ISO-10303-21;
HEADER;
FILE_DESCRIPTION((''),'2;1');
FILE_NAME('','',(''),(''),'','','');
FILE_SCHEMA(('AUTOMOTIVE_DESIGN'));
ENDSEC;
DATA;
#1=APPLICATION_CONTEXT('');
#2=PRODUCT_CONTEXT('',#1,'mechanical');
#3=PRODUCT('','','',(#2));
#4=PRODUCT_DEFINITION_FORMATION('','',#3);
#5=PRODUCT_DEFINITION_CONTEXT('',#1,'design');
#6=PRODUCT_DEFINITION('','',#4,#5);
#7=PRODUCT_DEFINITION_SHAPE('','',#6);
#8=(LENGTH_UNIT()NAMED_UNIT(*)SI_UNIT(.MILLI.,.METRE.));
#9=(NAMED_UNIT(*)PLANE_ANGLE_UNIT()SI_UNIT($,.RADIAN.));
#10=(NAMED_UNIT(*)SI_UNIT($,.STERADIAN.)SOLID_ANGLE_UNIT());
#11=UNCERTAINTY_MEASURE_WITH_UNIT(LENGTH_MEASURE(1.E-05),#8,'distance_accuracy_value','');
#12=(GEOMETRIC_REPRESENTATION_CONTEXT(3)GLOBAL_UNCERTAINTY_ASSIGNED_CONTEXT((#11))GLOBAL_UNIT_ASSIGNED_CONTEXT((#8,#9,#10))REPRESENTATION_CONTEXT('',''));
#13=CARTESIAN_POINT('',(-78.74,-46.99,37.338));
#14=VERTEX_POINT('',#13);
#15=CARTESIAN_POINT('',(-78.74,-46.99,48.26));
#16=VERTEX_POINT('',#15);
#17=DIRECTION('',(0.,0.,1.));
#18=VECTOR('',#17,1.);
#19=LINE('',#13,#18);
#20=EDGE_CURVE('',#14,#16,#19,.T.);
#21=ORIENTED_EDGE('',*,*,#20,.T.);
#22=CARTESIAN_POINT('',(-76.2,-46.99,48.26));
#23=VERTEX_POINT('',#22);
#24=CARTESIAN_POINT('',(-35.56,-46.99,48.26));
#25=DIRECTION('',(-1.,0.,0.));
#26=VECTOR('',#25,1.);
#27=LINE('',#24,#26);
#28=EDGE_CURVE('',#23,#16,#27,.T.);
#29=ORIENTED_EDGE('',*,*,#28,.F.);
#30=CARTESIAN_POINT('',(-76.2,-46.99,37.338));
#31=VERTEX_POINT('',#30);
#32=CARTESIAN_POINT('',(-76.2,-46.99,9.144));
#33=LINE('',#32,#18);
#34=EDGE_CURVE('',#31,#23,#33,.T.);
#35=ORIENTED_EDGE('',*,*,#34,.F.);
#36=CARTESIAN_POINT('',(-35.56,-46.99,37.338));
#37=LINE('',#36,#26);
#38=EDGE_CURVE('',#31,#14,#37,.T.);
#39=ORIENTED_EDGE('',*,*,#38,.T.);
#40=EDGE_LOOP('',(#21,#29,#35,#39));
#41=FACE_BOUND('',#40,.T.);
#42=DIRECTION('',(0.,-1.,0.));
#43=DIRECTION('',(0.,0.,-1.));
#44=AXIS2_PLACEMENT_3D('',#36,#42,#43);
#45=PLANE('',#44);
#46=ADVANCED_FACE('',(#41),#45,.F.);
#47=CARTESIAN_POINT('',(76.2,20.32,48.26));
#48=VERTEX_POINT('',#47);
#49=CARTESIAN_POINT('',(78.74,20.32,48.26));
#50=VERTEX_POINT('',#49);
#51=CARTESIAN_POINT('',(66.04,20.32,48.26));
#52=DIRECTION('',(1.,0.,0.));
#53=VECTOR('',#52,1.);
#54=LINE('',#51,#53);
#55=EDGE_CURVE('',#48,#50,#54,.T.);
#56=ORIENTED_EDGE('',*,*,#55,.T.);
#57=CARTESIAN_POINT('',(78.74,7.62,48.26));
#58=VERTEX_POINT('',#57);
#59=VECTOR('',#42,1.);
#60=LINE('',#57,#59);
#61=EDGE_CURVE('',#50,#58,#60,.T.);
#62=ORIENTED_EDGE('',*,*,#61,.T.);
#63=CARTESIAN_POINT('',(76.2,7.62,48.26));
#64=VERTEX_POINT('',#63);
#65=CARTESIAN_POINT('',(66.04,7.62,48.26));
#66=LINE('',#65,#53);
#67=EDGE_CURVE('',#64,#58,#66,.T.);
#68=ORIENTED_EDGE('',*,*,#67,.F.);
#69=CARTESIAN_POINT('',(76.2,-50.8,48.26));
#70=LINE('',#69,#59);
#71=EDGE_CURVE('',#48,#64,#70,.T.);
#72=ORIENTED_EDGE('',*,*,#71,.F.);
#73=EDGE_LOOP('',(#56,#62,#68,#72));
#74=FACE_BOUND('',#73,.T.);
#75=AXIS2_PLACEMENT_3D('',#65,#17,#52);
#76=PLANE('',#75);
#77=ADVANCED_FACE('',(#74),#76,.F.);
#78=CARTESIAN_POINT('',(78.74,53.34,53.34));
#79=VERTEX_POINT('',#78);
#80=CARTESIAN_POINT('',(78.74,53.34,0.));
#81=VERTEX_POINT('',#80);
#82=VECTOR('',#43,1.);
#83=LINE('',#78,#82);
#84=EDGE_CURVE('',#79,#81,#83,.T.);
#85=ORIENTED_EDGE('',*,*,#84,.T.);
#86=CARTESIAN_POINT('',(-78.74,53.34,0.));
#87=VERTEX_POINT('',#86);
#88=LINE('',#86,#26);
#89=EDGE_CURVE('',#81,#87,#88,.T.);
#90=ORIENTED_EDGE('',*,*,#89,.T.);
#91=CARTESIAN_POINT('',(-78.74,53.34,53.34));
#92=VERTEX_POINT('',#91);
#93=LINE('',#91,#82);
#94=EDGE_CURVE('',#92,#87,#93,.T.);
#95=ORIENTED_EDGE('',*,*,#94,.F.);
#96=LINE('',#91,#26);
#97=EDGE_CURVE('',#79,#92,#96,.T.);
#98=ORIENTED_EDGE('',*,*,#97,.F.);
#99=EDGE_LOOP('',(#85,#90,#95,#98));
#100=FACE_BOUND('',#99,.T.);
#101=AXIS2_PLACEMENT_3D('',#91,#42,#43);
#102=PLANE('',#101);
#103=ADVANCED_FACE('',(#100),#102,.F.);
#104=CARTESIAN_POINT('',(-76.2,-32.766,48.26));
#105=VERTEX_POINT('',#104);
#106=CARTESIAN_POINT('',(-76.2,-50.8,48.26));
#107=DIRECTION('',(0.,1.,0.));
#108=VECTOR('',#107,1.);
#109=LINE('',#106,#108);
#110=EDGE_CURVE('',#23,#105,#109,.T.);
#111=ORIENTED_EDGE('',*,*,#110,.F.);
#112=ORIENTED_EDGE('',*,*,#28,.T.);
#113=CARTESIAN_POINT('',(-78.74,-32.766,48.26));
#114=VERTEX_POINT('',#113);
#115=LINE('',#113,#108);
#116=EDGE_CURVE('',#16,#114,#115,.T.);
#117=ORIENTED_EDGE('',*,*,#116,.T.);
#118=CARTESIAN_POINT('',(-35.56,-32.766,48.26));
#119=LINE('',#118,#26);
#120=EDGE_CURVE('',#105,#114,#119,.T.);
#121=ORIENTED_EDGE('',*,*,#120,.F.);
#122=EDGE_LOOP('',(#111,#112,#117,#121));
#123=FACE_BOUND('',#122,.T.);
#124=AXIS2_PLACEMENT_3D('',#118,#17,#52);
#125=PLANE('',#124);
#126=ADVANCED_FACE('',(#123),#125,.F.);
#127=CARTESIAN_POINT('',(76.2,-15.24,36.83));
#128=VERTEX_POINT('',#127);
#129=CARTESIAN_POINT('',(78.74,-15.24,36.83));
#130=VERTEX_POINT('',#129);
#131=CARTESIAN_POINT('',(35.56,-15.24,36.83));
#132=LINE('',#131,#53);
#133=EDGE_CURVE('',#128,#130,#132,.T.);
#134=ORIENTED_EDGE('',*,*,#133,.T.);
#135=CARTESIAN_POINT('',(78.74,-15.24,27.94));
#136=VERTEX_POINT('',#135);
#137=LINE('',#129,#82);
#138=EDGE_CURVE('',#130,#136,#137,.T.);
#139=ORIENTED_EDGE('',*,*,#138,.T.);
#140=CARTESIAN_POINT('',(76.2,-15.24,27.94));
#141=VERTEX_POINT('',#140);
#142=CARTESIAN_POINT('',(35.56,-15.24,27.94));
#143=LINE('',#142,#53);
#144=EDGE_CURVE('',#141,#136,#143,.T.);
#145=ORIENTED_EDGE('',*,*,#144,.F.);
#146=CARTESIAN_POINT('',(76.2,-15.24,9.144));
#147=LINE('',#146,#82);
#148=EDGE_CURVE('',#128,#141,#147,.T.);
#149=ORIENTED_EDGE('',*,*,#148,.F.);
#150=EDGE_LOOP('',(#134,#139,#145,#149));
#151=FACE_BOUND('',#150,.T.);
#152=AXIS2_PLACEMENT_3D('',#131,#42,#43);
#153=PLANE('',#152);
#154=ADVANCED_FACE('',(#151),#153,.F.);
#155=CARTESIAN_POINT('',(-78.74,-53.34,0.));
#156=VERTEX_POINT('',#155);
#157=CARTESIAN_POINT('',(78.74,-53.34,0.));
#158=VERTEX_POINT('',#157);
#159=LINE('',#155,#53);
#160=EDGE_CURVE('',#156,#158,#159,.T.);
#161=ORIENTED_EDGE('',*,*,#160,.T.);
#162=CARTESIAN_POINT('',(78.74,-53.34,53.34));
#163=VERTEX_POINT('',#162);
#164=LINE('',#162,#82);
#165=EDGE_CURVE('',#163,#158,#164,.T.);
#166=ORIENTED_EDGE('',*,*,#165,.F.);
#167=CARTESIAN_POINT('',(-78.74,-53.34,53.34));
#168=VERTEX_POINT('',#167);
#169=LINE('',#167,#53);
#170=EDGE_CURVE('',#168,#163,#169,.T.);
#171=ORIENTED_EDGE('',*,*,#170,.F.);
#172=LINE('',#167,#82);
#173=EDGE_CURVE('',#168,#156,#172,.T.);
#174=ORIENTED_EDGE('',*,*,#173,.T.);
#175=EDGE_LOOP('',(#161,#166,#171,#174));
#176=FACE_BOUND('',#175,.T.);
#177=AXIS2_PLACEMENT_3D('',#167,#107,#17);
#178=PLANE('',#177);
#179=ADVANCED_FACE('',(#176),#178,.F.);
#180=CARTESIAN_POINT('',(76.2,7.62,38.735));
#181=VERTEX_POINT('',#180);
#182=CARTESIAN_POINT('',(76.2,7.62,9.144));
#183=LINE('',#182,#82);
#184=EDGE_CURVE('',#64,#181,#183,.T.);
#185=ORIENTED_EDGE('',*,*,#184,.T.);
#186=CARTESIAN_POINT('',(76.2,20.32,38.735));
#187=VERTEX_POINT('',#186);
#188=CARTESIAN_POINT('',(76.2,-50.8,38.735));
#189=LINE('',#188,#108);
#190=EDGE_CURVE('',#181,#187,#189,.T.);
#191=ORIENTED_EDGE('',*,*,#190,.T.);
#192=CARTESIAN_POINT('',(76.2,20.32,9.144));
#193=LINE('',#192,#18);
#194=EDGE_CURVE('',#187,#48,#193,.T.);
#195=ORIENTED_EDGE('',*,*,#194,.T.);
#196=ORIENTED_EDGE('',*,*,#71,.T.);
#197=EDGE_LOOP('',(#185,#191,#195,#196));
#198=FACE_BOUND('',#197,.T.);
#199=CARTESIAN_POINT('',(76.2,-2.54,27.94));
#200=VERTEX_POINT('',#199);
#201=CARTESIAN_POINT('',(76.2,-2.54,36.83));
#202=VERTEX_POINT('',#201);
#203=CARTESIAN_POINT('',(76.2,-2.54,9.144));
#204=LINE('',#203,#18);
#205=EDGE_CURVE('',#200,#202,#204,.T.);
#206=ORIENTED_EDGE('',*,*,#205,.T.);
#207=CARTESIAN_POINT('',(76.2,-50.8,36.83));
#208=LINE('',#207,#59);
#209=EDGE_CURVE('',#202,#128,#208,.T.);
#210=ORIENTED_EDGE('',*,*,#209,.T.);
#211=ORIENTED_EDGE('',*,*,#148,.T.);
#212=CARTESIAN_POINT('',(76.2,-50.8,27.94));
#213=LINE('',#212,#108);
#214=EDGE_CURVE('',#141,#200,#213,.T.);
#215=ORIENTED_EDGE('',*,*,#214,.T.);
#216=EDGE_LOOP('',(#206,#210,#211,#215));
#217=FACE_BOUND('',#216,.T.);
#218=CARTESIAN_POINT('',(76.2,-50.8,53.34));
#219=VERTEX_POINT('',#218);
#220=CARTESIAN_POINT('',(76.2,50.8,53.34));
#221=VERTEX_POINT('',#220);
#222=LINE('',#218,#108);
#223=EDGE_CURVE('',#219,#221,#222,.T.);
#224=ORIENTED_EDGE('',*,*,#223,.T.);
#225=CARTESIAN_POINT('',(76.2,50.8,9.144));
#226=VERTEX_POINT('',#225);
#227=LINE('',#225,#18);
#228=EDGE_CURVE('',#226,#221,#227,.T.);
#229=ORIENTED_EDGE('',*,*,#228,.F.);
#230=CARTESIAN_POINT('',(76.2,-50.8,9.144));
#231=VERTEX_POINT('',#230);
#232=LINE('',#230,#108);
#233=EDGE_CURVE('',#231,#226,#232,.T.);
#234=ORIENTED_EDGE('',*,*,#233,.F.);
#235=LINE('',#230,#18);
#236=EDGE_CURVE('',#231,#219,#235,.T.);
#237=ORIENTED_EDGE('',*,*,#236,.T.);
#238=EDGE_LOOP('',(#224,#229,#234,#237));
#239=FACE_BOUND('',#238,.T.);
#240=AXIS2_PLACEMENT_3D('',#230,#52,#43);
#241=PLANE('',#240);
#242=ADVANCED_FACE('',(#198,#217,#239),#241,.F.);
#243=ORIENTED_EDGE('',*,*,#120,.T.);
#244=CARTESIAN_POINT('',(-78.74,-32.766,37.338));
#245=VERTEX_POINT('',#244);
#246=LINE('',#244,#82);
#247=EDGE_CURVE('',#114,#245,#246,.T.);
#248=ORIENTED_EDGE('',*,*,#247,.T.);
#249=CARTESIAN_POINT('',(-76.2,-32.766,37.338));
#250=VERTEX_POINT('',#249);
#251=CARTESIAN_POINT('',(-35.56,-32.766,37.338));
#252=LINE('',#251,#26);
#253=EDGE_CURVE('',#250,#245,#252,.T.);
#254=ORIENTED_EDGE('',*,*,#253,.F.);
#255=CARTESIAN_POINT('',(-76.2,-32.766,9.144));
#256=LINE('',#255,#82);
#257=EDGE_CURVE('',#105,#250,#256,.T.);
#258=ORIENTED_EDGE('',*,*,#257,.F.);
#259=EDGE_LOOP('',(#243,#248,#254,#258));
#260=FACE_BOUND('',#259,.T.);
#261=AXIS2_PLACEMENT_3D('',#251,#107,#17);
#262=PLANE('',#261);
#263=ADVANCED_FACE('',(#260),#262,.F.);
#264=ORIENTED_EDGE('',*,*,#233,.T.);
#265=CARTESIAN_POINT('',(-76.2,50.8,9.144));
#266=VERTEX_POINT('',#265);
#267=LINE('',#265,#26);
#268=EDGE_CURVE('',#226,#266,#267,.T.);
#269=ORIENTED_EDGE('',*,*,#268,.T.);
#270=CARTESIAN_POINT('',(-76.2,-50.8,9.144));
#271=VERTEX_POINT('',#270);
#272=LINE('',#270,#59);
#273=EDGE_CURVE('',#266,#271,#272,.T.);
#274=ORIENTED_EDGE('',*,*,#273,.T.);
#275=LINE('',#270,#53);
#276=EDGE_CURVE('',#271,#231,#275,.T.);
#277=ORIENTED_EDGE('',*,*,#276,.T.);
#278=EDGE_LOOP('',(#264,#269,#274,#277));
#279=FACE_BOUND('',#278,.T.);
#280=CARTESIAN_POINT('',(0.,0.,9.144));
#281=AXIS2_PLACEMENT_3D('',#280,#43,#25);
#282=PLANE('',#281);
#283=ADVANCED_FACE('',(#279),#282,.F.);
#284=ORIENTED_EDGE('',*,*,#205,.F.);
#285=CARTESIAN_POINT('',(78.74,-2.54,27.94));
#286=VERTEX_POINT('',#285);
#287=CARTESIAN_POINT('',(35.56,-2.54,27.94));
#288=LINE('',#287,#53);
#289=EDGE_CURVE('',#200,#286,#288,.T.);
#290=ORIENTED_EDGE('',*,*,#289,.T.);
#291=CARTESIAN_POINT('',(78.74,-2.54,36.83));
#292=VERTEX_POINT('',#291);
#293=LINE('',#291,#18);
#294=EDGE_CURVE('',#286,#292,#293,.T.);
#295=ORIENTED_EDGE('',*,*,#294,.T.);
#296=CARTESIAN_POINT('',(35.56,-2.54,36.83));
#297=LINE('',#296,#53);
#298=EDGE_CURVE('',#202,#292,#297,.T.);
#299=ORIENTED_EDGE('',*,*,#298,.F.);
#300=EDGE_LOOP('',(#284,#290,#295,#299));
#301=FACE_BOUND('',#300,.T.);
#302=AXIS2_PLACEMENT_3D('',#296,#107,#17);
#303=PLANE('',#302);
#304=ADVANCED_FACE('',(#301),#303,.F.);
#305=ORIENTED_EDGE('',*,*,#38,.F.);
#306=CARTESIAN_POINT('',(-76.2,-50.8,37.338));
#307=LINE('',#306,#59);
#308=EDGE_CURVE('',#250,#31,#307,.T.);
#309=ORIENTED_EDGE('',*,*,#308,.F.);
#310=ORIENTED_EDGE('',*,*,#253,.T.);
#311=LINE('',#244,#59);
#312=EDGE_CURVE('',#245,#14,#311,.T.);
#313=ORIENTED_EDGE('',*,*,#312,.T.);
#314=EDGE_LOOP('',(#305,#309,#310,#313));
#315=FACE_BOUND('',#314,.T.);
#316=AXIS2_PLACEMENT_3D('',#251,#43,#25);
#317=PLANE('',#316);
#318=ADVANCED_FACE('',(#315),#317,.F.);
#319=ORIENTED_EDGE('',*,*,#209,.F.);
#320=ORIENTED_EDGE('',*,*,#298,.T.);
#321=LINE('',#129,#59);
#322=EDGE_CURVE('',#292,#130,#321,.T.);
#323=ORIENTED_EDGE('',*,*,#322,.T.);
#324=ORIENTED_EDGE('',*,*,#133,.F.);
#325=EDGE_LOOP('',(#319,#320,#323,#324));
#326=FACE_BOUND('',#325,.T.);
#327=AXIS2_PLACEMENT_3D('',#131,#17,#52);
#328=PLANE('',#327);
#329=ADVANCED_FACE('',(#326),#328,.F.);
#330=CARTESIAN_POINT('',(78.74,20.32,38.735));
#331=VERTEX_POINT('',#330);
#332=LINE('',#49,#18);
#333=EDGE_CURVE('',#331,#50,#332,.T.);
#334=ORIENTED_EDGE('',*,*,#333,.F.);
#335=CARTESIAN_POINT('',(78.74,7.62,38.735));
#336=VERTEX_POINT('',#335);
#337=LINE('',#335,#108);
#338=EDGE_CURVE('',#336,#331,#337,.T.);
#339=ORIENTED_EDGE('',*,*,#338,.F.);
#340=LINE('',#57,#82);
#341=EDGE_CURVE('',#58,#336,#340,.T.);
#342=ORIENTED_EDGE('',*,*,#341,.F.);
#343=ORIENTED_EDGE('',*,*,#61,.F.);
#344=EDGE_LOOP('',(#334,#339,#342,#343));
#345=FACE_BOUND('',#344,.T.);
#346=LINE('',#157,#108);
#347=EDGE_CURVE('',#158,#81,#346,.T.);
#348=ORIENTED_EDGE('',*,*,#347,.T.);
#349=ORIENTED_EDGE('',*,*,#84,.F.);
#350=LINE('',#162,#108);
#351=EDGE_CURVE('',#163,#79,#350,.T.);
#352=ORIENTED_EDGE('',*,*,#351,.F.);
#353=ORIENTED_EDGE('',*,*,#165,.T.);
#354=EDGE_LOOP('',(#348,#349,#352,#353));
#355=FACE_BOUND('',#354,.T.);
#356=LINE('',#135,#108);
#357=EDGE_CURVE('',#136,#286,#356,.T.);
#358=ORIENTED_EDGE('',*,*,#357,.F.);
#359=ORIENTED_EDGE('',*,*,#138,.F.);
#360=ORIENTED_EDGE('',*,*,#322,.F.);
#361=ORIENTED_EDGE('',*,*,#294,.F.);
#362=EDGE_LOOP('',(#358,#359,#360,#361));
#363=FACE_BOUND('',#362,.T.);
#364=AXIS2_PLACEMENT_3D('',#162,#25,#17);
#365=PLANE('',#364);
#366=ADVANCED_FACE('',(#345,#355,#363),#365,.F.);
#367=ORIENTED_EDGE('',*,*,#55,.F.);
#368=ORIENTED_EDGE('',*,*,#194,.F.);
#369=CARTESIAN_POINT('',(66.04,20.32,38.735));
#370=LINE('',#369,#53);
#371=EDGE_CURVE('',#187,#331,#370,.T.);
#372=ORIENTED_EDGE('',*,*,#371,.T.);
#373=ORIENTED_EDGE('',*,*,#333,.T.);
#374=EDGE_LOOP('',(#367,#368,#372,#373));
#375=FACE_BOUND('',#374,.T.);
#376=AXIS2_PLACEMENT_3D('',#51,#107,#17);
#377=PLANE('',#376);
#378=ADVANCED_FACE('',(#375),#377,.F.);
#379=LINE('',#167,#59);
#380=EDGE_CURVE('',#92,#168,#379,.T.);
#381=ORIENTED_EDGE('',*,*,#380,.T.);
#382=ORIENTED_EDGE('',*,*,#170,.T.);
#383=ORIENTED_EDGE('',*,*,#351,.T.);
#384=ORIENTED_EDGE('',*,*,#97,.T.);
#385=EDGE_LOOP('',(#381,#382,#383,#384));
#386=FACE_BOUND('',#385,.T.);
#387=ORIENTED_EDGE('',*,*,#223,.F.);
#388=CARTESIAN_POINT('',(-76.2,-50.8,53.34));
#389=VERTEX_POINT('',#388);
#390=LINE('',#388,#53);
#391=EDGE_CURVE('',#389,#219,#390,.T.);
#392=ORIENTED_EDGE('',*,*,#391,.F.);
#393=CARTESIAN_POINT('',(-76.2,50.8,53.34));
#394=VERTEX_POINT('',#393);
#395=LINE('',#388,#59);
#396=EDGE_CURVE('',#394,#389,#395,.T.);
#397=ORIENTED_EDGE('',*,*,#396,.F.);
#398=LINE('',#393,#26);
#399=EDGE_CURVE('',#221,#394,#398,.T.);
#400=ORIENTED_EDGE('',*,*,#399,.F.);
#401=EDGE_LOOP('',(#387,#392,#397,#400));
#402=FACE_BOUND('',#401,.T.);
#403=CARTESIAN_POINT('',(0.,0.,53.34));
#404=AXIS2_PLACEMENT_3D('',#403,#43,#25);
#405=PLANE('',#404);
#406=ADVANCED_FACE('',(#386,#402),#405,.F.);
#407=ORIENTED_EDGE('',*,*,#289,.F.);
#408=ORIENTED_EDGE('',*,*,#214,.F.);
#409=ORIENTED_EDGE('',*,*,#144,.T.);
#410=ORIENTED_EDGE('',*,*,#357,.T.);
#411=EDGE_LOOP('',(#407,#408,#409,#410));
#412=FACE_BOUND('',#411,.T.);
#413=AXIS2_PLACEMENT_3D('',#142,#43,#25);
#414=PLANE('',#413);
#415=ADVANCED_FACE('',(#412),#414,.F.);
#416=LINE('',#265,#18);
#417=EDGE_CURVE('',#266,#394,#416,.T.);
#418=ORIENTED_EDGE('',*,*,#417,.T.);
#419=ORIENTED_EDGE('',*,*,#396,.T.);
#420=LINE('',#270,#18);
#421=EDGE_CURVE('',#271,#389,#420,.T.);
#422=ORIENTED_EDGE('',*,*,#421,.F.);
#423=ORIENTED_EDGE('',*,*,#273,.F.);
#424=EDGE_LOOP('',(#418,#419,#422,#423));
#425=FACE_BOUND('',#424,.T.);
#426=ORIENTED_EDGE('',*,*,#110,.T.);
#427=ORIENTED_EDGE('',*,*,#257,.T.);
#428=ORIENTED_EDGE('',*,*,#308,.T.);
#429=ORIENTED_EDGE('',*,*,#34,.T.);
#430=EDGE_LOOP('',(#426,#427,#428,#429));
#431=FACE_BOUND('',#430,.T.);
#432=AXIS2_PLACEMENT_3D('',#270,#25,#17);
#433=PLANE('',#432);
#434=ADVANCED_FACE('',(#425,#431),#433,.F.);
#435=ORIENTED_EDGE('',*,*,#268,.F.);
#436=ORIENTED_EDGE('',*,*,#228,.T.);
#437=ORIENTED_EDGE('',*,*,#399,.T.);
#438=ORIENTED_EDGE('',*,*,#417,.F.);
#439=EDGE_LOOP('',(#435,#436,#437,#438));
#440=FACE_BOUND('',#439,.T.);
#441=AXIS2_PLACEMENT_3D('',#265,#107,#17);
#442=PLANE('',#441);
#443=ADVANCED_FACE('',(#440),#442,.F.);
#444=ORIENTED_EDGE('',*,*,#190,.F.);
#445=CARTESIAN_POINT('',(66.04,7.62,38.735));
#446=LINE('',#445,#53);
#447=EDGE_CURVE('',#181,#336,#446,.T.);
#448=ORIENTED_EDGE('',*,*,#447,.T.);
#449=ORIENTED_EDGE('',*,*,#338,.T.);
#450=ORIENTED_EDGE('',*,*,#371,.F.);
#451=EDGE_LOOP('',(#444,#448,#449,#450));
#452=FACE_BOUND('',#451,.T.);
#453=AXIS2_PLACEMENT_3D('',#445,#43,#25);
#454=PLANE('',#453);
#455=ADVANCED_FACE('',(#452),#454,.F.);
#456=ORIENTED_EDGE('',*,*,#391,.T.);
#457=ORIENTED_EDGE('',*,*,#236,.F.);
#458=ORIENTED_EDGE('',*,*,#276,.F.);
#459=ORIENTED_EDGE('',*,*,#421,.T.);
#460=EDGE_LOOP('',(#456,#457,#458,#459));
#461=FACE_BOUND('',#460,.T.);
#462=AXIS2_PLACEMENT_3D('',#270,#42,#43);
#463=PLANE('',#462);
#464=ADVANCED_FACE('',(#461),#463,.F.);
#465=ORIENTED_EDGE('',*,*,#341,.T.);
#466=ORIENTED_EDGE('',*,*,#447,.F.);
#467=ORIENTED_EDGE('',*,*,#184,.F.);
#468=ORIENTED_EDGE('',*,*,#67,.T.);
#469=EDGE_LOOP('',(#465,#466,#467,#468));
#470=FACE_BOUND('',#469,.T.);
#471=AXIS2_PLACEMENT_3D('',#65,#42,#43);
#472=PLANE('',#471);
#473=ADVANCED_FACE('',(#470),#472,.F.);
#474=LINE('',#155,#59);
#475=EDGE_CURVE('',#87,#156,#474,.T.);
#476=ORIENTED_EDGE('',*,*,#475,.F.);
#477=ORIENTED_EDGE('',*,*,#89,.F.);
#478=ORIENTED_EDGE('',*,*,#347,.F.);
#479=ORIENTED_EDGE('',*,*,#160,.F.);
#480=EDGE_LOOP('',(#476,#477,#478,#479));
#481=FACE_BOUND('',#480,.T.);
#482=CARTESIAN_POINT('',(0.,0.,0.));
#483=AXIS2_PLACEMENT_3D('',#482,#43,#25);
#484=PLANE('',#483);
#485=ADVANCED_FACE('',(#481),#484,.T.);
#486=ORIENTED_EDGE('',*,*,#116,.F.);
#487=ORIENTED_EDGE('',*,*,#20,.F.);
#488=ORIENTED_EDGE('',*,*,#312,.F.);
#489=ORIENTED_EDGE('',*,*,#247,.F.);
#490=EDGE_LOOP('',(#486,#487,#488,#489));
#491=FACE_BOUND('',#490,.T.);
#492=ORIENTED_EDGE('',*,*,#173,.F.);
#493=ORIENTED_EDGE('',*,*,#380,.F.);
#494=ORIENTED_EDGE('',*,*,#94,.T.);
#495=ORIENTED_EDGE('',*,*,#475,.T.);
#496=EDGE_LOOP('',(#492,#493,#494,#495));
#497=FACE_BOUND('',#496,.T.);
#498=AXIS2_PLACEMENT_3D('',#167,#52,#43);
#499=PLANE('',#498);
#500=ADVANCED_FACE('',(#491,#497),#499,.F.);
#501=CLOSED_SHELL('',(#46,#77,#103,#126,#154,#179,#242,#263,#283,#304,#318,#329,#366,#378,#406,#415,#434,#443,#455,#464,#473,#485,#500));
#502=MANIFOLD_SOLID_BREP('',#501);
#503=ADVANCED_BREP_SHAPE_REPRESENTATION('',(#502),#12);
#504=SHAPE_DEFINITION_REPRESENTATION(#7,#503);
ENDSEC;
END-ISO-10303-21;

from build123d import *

# Parameters (mm, degrees)
SKETCH1_W           = 157.48
SKETCH1_H           = 106.68
BOSS_EXTRUDE1_DEPTH = 53.34
SKETCH3_W           = 152.4
SKETCH3_H           = 101.6
CUT_EXTRUDE1_DEPTH  = 44.196
SKETCH4_W           = 8.89
SKETCH4_H           = 12.7
CUT_EXTRUDE2_DEPTH  = 43.18
SKETCH6_W           = 10.922
SKETCH6_H           = 14.224
CUT_EXTRUDE3_DEPTH  = 43.18
SKETCH7_W           = 9.525
SKETCH7_H           = 12.7
CUT_EXTRUDE4_DEPTH  = 12.7


with BuildPart() as part:
    # Sketch1 → Boss-Extrude1 (new body)
    with BuildSketch(Plane.XY):
        Rectangle(SKETCH1_W, SKETCH1_H)
    extrude(amount=BOSS_EXTRUDE1_DEPTH)

    # Sketch3 → Cut-Extrude1 (cut)
    with BuildSketch(Plane.XY.offset(53.34)):
        Rectangle(SKETCH3_W, SKETCH3_H)
    extrude(amount=-CUT_EXTRUDE1_DEPTH, mode=Mode.SUBTRACT)

    # Sketch4 → Cut-Extrude2 (cut)
    with BuildSketch(Plane(origin=(78.74, 0, 0), x_dir=(0, 0, -1), z_dir=(1, 0, 0))):
        with Locations((-32.385, -8.89)):
            Rectangle(SKETCH4_W, SKETCH4_H)
    extrude(amount=-CUT_EXTRUDE2_DEPTH, mode=Mode.SUBTRACT)

    # Sketch6 → Cut-Extrude3 (cut)
    with BuildSketch(Plane.ZY.offset(78.74)):
        with Locations((42.799, -39.878)):
            Rectangle(SKETCH6_W, SKETCH6_H)
    extrude(amount=-CUT_EXTRUDE3_DEPTH, mode=Mode.SUBTRACT)

    # Sketch7 → Cut-Extrude4 (cut)
    with BuildSketch(Plane(origin=(78.74, 0, 0), x_dir=(0, 0, -1), z_dir=(1, 0, 0))):
        with Locations((-43.4975, 13.97)):
            Rectangle(SKETCH7_W, SKETCH7_H)
    extrude(amount=-CUT_EXTRUDE4_DEPTH, mode=Mode.SUBTRACT)


solid = part.part
